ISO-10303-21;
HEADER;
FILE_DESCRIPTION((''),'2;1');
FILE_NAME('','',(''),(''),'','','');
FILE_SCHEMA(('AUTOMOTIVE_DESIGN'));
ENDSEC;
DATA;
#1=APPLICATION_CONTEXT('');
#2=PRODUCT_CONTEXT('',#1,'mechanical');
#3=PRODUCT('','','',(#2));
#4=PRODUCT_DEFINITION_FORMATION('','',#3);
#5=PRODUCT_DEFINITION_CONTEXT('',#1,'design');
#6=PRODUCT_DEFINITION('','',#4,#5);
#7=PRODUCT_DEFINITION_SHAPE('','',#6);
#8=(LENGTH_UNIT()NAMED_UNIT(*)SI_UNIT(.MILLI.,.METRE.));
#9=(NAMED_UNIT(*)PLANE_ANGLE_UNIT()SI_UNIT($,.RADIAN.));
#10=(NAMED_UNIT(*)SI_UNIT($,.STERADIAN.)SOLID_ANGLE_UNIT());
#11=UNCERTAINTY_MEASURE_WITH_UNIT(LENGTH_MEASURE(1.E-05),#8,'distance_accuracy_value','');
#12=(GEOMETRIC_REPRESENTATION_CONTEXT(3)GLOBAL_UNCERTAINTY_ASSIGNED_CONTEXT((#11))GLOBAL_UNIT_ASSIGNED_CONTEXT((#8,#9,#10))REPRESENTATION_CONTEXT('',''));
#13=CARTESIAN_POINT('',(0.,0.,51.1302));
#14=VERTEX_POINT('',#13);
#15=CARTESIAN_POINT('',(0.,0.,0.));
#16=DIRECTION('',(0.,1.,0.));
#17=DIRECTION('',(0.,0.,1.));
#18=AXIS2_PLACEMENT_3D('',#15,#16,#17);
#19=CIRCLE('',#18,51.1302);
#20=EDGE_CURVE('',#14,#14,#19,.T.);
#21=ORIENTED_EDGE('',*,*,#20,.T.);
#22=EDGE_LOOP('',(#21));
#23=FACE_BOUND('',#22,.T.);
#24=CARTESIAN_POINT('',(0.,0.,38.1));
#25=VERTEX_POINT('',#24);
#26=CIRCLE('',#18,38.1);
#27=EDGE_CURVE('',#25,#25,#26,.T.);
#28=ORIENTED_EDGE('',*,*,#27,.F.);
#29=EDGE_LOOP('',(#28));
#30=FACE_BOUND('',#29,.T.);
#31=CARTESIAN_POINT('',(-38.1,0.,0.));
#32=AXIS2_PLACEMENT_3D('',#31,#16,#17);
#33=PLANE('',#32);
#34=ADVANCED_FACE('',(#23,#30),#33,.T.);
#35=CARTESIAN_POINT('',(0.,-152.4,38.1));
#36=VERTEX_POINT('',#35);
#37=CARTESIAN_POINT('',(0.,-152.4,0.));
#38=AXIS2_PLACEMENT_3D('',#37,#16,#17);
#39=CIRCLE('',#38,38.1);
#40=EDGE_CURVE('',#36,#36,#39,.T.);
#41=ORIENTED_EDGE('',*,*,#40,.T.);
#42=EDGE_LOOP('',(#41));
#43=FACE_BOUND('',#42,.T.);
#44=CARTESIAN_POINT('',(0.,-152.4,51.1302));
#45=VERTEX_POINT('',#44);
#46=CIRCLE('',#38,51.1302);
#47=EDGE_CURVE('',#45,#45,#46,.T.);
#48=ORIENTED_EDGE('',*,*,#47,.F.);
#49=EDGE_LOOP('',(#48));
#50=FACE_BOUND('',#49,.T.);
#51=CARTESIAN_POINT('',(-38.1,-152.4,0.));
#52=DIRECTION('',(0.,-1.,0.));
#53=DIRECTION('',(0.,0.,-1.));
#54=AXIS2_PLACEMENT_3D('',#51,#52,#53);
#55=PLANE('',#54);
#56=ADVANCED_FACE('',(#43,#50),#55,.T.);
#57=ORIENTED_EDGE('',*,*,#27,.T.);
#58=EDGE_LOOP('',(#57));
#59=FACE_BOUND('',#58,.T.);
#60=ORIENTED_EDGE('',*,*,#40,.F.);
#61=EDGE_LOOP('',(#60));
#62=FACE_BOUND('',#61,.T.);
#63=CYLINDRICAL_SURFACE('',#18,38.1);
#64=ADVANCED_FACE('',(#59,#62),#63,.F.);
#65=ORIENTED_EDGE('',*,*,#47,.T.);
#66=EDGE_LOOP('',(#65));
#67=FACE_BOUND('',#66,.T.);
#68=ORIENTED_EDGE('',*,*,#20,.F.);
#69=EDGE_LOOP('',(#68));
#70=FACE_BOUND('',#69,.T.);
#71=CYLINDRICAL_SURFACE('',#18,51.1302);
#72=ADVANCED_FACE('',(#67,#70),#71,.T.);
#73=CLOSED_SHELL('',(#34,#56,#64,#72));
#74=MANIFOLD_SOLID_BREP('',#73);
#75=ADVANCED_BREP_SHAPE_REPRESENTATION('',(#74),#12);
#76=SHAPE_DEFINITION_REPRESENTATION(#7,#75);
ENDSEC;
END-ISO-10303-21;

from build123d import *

# Parameters (mm, degrees)
SKETCH1_W = 13.0302
SKETCH1_H = 152.4


with BuildPart() as part:
    # Sketch1 → Revolve1 (revolve)
    with BuildSketch(Plane.XY):
        with Locations((-44.6151, -76.2)):
            Rectangle(SKETCH1_W, SKETCH1_H)
    revolve(axis=Axis((0, 0, 0), (0, -1, 0)))


solid = part.part
